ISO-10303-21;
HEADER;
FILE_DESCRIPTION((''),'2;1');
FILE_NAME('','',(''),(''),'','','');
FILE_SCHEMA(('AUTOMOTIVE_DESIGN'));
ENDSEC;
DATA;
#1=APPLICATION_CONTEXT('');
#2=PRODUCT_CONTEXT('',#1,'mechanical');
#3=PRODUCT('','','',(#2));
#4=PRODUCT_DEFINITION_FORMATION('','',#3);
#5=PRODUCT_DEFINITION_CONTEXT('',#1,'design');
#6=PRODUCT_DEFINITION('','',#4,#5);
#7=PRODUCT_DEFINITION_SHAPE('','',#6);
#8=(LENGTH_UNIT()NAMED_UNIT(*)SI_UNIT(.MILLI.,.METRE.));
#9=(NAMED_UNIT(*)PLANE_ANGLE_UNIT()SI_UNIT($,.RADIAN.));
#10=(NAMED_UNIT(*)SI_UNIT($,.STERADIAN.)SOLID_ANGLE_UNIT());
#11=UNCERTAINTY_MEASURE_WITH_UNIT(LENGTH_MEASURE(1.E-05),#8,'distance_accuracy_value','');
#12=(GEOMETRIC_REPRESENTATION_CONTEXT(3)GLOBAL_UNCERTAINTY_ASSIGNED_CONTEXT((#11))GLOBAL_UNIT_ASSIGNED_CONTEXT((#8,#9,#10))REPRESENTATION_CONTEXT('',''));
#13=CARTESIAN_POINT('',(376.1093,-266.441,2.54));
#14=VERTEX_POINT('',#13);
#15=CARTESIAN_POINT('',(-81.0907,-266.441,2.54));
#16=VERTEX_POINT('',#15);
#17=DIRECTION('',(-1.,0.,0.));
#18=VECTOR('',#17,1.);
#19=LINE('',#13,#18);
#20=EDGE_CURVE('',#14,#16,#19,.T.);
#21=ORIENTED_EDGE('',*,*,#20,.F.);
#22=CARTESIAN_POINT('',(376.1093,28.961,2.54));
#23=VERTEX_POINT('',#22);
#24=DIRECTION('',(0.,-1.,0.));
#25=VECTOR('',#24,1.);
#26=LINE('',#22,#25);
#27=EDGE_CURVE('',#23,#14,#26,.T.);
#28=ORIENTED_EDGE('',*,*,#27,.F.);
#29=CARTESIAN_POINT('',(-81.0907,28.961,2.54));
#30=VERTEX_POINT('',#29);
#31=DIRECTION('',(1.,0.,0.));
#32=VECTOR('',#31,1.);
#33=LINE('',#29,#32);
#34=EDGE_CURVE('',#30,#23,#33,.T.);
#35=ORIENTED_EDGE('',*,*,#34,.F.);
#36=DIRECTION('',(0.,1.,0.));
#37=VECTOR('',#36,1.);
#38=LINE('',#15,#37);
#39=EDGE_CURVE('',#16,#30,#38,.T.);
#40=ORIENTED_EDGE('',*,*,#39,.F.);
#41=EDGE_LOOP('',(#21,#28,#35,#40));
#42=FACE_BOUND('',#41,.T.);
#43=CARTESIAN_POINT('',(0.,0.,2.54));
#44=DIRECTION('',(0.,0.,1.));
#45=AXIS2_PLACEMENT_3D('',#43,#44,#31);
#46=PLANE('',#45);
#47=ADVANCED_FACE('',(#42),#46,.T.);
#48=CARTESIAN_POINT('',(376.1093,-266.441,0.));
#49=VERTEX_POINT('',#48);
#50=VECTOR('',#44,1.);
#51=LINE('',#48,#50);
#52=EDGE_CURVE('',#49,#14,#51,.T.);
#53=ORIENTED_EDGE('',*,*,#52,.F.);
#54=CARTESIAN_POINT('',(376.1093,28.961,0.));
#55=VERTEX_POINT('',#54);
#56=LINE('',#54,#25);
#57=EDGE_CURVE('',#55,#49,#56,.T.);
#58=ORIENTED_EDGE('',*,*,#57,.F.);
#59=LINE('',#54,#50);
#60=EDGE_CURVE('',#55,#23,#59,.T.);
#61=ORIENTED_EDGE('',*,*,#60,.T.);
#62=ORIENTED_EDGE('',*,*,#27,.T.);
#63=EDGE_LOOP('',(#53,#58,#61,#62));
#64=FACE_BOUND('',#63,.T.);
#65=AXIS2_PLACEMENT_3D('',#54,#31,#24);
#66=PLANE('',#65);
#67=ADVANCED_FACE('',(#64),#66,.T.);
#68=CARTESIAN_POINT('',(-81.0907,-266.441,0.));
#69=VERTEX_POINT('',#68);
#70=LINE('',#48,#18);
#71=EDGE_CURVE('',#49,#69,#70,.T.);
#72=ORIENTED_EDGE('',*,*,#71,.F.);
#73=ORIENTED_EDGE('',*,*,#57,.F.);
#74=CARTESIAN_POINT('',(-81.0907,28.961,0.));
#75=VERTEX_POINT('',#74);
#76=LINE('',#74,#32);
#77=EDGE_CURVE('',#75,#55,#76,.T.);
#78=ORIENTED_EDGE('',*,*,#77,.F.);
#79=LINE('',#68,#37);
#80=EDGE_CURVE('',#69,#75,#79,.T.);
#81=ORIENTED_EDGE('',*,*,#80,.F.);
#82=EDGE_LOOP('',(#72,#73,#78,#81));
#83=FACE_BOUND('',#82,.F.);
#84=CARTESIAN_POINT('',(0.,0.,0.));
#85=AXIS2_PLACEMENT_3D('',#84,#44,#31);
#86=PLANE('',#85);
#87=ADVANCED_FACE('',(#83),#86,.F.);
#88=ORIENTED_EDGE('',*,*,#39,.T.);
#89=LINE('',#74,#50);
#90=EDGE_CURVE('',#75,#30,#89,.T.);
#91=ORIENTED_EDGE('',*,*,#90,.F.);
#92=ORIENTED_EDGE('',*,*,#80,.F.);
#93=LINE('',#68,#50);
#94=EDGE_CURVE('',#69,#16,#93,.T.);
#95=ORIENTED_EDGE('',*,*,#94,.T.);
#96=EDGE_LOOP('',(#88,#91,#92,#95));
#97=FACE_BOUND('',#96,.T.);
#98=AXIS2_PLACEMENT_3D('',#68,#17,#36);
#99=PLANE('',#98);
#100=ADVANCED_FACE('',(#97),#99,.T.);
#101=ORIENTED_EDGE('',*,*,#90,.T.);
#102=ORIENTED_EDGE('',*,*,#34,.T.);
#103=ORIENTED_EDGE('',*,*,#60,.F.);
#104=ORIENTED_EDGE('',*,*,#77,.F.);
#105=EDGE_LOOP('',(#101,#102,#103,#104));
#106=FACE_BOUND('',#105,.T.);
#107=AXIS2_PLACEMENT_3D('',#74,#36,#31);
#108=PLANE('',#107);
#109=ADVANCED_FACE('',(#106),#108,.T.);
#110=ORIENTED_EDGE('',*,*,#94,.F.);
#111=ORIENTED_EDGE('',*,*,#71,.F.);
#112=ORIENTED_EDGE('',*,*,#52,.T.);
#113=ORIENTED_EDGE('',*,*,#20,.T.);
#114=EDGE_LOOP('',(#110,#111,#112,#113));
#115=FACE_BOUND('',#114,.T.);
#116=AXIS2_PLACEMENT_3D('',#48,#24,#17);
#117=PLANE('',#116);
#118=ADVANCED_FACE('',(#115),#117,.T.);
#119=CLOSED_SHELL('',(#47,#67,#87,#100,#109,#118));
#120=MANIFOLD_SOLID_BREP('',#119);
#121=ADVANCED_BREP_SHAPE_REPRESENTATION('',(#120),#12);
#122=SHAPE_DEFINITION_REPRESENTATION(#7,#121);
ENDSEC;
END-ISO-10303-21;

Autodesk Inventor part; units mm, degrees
ref_plane "YZ Plane" through (0, 0, 0) normal (1, 0, 0) x (0, 1, 0)
ref_plane "XZ Plane" through (0, 0, 0) normal (0, 1, 0) x (-1, 0, 0)
ref_plane "XY Plane" through (0, 0, 0) normal (0, 0, 1) x (1, 0, 0)
sketch "Sketch1" plane through (0, 0, 0) normal (0, 0, 1) x (1, 0, 0)
  line L0 (-81.0907, 28.961) -> (376.1093, 28.961)
  line L1 (376.1093, 28.961) -> (376.1093, -266.441)
  line L2 (376.1093, -266.441) -> (-81.0907, -266.441)
  line L3 (-81.0907, -266.441) -> (-81.0907, 28.961)
  point P0 (0, 0)
  dimension "d0" = 295.402
  dimension "d1" = 457.2
extrude "Extrusion1" add sketch "Sketch1" along normal blind 2.54
properties part number "Go Under Bar Tool"
